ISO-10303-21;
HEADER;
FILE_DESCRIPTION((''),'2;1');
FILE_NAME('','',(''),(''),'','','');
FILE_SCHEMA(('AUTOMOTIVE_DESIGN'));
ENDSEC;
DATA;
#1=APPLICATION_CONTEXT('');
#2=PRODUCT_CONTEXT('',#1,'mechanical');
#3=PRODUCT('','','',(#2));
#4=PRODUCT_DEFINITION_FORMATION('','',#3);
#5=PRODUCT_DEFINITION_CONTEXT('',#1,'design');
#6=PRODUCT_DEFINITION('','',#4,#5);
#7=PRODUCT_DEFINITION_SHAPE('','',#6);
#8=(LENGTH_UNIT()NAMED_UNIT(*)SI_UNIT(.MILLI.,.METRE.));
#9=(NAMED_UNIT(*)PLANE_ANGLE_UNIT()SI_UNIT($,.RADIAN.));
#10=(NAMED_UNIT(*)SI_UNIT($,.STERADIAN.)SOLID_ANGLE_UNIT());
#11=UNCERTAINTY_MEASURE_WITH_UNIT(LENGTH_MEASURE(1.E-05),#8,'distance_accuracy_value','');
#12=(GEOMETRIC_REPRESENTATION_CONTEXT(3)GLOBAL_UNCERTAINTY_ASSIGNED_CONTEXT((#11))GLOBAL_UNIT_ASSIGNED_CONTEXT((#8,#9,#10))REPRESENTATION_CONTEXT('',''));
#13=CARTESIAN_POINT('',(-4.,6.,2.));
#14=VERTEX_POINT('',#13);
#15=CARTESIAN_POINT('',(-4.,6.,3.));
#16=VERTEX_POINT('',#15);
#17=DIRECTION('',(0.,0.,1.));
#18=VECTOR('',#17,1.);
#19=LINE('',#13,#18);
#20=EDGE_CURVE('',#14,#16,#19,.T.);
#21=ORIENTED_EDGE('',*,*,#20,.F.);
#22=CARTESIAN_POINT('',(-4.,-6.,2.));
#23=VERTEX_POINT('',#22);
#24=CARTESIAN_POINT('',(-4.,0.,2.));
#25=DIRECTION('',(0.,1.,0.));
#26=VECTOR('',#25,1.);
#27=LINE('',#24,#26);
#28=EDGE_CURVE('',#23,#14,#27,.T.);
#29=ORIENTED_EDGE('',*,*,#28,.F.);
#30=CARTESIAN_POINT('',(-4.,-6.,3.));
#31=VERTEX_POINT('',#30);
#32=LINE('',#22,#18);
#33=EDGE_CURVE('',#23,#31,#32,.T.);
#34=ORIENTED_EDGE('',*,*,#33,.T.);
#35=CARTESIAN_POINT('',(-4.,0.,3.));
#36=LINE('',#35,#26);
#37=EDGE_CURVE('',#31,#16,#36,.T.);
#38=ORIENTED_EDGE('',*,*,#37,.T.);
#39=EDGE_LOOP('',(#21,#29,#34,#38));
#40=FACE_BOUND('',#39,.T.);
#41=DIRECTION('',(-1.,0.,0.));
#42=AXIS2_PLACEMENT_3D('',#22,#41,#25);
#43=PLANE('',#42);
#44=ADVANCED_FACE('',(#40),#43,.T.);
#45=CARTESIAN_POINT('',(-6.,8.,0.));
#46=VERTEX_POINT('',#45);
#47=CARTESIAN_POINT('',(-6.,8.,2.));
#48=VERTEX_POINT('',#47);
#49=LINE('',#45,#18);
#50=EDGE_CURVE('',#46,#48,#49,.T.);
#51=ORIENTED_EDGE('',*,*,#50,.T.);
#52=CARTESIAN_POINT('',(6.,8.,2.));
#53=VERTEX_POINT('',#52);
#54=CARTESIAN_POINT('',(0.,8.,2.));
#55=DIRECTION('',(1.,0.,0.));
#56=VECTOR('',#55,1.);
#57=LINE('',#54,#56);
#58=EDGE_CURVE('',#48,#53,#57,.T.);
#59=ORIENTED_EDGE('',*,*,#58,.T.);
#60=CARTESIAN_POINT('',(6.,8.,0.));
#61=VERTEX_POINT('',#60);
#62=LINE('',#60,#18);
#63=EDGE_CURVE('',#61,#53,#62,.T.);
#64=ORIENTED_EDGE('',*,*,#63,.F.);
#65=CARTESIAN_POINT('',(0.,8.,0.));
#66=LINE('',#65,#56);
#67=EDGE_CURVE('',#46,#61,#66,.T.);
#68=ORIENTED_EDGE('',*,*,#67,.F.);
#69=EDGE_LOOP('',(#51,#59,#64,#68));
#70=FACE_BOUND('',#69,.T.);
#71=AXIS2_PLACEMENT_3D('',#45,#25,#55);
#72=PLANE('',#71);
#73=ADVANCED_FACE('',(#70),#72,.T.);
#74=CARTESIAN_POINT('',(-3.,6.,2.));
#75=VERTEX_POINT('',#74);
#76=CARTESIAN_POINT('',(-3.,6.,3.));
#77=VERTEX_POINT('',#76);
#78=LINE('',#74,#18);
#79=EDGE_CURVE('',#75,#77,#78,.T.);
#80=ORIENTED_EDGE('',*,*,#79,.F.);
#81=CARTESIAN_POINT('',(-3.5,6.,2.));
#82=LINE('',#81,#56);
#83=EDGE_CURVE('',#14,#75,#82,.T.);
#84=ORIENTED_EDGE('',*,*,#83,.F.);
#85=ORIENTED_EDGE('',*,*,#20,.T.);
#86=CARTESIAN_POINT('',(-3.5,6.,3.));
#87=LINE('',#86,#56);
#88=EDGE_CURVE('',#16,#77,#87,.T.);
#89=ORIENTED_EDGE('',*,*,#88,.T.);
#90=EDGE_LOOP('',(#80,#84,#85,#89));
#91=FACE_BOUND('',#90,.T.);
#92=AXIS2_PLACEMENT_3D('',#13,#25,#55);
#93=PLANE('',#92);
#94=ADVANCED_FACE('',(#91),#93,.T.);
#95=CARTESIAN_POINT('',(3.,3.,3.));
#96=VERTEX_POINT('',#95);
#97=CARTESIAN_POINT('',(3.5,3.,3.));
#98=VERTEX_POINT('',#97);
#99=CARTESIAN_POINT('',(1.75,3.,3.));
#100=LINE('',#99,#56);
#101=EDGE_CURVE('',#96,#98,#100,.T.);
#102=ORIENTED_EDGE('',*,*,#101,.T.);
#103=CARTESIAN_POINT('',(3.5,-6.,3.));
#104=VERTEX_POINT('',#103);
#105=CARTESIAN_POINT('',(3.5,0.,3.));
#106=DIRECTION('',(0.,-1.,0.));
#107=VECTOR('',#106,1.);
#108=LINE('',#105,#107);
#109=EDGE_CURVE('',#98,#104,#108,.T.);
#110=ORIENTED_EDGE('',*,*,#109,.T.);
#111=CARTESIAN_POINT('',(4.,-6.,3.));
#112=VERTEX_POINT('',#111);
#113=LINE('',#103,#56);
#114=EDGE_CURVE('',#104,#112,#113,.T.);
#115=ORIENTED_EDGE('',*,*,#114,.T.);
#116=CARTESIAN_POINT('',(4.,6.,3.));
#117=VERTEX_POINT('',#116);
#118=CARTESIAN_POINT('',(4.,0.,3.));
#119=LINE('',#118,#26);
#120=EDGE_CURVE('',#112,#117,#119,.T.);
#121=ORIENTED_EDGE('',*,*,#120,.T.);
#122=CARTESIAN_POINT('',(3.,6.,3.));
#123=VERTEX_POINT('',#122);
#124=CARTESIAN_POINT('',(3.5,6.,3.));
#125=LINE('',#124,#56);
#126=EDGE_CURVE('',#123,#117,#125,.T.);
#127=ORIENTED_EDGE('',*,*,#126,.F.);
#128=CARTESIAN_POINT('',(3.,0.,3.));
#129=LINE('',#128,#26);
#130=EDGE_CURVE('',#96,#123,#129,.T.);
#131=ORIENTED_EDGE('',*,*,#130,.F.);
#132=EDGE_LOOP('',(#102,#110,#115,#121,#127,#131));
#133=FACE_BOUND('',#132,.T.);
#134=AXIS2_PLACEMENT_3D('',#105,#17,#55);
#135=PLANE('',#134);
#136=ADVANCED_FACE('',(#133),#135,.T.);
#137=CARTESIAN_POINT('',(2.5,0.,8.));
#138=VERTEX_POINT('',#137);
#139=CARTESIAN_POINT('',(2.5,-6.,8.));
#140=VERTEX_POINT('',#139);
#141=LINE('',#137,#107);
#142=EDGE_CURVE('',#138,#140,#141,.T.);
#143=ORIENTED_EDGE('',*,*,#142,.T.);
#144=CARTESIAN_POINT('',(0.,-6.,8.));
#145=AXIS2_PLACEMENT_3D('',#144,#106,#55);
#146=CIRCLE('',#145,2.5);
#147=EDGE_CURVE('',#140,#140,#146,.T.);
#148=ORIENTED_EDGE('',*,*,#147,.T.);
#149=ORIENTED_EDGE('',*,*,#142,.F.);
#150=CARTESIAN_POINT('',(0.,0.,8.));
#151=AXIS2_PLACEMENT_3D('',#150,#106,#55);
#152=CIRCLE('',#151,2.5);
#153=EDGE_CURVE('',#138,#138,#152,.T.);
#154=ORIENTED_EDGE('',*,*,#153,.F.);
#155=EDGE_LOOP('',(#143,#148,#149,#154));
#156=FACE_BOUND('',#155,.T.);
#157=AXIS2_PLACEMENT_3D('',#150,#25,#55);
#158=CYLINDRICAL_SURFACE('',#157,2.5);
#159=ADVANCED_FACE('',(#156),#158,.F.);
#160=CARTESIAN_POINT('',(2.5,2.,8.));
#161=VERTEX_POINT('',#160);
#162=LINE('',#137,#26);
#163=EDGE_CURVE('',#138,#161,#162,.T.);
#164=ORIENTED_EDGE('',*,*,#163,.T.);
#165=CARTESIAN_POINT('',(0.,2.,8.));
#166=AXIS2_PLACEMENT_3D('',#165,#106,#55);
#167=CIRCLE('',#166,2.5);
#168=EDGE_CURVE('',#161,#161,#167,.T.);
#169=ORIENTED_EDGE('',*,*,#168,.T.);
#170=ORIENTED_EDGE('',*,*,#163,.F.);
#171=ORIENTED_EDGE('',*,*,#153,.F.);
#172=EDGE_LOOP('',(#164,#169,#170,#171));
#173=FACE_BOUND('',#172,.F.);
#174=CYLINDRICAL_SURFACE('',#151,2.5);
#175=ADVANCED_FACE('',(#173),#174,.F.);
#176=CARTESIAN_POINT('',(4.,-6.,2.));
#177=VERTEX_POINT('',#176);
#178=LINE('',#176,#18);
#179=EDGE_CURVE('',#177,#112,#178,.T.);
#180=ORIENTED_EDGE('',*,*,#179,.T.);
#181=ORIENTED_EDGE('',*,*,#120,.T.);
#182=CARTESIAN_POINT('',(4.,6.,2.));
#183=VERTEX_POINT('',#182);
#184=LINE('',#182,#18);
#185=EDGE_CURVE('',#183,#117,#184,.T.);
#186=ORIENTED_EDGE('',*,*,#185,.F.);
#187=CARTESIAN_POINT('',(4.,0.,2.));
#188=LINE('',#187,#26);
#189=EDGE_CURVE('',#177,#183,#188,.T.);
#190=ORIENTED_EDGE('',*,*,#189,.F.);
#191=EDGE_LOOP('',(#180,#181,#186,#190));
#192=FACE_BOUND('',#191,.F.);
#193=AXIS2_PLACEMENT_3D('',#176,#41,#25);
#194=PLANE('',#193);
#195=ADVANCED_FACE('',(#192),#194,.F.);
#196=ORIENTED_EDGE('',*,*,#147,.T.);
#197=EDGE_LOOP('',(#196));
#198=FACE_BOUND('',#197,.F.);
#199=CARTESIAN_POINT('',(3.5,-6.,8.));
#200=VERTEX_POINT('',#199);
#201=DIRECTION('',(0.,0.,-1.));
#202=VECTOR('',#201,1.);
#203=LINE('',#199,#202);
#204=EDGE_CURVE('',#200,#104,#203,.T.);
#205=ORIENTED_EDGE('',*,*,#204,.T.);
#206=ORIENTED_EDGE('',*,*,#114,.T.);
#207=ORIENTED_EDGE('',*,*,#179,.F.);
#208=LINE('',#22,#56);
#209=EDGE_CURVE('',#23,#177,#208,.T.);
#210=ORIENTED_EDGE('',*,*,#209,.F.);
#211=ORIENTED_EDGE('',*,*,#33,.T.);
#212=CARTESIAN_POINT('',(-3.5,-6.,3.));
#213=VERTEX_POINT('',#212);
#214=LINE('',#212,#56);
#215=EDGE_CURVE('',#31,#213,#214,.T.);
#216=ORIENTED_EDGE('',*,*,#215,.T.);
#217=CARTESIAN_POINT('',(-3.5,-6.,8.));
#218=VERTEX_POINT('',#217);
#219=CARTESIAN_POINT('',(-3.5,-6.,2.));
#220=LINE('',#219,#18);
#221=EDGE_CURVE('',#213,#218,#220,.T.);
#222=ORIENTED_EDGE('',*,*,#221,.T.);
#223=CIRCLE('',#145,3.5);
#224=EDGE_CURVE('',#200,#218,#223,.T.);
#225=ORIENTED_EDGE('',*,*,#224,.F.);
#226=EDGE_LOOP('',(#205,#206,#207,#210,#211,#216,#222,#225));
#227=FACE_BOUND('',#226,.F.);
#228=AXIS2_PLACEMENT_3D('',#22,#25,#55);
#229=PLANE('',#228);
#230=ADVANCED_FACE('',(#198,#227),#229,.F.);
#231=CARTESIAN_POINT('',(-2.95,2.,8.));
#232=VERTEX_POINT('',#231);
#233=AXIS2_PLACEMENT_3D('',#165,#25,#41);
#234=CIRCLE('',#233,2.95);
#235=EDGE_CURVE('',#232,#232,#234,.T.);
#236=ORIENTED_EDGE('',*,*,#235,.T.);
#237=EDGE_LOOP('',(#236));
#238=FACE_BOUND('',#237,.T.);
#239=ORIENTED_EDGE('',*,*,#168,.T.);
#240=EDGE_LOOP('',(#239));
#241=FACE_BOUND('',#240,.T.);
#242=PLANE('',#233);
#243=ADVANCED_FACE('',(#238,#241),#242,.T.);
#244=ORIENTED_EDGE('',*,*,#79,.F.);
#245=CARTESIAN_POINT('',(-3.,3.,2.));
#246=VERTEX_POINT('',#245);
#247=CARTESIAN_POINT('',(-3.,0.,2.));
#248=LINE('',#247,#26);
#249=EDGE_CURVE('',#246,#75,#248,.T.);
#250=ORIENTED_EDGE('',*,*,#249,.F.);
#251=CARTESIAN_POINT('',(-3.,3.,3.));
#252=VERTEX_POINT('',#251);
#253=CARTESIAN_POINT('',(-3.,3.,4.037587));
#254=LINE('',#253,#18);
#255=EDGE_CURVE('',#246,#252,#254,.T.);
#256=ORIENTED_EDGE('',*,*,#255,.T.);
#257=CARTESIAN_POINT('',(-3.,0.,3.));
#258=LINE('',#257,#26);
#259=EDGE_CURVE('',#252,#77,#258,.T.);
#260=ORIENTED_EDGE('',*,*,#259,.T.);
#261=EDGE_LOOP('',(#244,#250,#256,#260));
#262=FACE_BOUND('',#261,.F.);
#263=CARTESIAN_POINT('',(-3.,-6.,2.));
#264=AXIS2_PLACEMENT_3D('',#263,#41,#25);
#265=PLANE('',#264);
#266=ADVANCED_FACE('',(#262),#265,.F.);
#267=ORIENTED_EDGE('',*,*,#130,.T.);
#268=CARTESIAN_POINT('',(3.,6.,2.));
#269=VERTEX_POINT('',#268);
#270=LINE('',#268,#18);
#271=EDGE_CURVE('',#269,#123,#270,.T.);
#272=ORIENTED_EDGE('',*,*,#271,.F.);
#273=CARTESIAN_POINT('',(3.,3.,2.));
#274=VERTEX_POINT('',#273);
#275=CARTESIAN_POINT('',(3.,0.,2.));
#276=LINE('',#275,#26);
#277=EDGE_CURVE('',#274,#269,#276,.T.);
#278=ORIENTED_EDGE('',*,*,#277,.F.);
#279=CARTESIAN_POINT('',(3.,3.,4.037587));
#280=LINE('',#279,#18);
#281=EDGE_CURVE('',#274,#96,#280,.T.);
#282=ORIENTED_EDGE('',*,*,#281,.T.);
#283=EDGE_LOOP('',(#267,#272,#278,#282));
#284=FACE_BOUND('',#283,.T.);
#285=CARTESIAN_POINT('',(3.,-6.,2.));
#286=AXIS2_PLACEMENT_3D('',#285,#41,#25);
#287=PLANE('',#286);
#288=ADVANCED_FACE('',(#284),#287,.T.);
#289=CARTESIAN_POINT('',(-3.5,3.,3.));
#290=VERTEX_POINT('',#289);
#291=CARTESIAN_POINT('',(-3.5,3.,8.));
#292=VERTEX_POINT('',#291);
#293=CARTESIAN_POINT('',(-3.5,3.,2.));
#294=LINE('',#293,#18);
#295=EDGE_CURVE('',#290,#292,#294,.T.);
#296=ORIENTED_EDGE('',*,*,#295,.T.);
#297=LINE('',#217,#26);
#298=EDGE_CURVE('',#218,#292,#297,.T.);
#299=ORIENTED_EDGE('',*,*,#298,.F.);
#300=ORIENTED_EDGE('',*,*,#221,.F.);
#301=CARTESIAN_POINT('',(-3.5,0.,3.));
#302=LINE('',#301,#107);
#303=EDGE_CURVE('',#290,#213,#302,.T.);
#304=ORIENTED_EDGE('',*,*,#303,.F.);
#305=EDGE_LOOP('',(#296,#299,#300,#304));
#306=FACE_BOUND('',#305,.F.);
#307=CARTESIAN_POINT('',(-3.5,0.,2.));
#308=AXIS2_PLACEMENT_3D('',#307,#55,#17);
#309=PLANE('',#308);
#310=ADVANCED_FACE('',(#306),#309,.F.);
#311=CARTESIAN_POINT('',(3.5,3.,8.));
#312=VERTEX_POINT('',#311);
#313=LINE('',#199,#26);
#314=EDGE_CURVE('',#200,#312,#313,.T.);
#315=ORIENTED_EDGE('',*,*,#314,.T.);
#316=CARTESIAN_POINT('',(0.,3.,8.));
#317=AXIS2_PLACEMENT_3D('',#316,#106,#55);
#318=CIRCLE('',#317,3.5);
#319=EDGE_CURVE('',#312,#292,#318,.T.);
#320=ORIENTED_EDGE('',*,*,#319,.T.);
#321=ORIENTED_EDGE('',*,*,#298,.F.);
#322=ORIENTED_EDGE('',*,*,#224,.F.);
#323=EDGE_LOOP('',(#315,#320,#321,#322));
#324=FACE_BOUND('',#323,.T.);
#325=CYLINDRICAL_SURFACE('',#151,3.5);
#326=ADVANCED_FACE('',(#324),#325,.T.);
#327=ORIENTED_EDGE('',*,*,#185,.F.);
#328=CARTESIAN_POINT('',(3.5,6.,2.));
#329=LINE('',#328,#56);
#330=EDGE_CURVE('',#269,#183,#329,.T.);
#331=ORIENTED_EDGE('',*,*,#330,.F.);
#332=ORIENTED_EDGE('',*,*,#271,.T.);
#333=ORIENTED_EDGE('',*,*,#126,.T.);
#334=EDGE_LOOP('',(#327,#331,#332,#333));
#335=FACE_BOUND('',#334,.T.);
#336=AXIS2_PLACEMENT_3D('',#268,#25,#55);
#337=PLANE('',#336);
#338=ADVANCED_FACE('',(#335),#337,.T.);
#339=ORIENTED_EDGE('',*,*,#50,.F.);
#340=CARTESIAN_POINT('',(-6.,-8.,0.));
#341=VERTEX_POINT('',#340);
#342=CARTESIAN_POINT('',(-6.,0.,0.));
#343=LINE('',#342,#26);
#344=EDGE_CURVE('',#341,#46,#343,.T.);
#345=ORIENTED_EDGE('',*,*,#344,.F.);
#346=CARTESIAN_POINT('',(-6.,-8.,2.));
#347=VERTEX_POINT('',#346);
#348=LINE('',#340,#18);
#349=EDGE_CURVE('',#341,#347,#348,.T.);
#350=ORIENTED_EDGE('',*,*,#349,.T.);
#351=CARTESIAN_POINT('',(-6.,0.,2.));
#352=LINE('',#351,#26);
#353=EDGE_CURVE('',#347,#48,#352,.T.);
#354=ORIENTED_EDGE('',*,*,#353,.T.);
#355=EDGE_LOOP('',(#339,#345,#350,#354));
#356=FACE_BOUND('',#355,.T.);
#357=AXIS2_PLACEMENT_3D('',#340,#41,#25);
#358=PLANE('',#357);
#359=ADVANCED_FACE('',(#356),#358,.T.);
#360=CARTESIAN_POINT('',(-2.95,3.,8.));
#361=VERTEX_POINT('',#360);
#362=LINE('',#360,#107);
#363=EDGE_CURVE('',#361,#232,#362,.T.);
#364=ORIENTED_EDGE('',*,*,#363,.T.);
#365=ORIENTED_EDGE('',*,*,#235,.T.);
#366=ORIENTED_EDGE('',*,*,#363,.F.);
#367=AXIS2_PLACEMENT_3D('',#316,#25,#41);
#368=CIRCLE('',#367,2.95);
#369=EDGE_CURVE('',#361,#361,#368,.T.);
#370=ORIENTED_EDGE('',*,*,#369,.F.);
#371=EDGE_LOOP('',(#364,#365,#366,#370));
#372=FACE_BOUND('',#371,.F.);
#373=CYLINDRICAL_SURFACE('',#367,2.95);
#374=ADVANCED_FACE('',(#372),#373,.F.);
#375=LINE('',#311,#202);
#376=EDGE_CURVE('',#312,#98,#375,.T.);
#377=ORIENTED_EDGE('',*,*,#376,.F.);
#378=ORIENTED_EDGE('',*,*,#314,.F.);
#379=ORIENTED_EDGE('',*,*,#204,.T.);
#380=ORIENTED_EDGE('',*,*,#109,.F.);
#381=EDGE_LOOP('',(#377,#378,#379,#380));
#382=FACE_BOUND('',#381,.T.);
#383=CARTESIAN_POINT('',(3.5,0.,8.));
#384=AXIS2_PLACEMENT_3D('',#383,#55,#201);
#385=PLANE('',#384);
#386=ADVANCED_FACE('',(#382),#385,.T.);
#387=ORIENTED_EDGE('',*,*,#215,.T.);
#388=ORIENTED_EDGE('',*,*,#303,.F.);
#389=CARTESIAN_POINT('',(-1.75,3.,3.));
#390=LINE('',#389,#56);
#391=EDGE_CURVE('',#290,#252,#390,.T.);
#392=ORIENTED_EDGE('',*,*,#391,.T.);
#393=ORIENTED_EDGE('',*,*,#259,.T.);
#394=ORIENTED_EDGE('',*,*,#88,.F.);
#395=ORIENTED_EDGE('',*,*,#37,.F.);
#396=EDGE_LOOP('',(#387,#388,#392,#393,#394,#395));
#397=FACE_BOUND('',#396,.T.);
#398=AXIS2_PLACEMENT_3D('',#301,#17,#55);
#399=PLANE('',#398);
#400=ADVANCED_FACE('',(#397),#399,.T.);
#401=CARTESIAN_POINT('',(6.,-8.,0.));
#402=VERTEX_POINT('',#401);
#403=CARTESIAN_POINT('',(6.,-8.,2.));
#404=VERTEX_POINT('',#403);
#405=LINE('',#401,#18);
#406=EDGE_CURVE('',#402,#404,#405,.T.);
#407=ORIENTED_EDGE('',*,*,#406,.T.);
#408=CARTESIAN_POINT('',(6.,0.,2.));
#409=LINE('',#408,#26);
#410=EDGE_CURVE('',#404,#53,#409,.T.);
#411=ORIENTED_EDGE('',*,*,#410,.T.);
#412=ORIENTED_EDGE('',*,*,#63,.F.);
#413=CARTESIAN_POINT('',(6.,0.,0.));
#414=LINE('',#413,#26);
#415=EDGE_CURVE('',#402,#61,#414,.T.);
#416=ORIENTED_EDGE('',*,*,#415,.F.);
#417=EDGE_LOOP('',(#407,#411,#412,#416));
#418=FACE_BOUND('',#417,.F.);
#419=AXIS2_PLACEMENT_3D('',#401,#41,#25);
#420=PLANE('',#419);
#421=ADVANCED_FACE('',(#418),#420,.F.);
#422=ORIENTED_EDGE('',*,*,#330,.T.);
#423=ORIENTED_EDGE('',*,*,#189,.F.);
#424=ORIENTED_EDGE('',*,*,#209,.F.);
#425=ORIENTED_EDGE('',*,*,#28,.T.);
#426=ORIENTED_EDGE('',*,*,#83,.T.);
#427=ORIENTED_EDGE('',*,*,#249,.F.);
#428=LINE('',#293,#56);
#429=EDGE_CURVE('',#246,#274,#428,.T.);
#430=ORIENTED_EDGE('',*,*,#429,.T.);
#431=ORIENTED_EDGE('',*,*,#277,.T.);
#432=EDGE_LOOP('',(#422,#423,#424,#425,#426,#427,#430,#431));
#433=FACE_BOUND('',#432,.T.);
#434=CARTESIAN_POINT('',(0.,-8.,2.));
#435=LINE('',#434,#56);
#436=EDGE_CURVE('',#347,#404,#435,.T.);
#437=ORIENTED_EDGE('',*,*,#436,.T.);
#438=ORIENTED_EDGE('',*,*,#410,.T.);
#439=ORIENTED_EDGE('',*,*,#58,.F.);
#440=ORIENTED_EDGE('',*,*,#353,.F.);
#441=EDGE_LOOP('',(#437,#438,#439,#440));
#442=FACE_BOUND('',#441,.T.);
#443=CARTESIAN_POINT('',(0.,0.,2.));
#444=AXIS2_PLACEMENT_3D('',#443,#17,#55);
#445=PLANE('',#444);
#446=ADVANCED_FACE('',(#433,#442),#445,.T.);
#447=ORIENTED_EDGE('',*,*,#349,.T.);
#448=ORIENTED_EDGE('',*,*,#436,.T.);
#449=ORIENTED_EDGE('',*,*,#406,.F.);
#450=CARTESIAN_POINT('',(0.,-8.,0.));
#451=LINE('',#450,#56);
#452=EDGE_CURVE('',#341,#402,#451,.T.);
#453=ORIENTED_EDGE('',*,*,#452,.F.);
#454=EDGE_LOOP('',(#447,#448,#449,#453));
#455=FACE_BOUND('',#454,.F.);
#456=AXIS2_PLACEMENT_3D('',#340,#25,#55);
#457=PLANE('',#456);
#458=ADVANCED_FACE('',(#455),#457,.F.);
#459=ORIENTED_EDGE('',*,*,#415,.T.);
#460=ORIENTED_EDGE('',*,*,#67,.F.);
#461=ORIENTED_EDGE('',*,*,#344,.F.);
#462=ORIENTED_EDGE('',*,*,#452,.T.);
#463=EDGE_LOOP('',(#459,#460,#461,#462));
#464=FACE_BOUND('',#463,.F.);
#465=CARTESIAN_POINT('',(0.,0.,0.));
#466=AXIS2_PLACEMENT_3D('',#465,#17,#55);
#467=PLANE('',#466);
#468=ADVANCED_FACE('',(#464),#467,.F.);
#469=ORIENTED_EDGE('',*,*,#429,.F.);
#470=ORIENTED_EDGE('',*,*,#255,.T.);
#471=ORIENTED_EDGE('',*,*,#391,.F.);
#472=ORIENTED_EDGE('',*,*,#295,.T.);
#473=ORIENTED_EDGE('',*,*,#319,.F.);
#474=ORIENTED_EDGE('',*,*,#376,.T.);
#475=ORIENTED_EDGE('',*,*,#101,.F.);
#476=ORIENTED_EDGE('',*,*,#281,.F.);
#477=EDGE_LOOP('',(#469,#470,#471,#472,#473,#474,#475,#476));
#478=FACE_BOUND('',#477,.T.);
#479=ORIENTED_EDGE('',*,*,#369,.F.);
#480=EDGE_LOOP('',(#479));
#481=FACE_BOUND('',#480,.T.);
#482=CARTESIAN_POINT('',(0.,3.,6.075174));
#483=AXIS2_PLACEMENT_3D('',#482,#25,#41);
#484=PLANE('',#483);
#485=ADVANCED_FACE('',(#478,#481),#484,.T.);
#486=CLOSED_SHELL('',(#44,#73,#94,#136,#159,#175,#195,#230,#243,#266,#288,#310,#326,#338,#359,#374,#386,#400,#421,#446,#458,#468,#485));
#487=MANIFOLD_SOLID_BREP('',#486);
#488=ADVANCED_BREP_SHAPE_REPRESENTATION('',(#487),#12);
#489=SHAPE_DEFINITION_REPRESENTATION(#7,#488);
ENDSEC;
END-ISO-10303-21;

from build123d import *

# Parameters (mm, degrees)
SKETCH_W          = 12
SKETCH_H          = 16
PAD_DEPTH         = 2
SKETCH001_R       = 2.5
PAD001_DEPTH      = 6
PAD001_DEPTH_BACK = 3
SKETCH002_R       = 2.95
POCKET_DEPTH      = 1
SKETCH003_W       = 1
SKETCH003_H       = 12
PAD002_DEPTH      = 1


with BuildPart() as part:
    # Sketch → Pad (new body)
    with BuildSketch(Plane.XY):
        Rectangle(SKETCH_W, SKETCH_H)
    extrude(amount=PAD_DEPTH)

    # Sketch001 → Pad001 (join, two sides)
    with BuildSketch(Plane.XZ) as pad001_sk:
        with BuildLine():
            Line((-3.5, 2), (-3.5, 8))
            ThreePointArc((3.5, 8), (0, 11.5), (-3.5, 8))
            Line((3.5, 8), (3.5, 2))
            Line((-3.5, 2), (3.5, 2))
        make_face()
        with Locations((0, 8)):
            Circle(SKETCH001_R, mode=Mode.SUBTRACT)
    extrude(amount=PAD001_DEPTH)
    extrude(pad001_sk.sketch, amount=-PAD001_DEPTH_BACK)

    # Sketch002 (on Face7 of Pad001) → Pocket (cut)
    with BuildSketch(Plane(origin=(0, 3, 0), x_dir=(-1, 0, 0), z_dir=(0, 1, 0))):
        with Locations((0, 8)):
            Circle(SKETCH002_R)
    extrude(amount=-POCKET_DEPTH, mode=Mode.SUBTRACT)

    # Sketch003 (on Face5 of Pocket) → Pad002 (join)
    with BuildSketch(Plane.XY.offset(2)):
        with Locations((-3.5, 0)):
            Rectangle(SKETCH003_W, SKETCH003_H)
        with Locations((3.5, 0)):
            Rectangle(SKETCH003_W, SKETCH003_H)
    extrude(amount=PAD002_DEPTH)


solid = part.part
